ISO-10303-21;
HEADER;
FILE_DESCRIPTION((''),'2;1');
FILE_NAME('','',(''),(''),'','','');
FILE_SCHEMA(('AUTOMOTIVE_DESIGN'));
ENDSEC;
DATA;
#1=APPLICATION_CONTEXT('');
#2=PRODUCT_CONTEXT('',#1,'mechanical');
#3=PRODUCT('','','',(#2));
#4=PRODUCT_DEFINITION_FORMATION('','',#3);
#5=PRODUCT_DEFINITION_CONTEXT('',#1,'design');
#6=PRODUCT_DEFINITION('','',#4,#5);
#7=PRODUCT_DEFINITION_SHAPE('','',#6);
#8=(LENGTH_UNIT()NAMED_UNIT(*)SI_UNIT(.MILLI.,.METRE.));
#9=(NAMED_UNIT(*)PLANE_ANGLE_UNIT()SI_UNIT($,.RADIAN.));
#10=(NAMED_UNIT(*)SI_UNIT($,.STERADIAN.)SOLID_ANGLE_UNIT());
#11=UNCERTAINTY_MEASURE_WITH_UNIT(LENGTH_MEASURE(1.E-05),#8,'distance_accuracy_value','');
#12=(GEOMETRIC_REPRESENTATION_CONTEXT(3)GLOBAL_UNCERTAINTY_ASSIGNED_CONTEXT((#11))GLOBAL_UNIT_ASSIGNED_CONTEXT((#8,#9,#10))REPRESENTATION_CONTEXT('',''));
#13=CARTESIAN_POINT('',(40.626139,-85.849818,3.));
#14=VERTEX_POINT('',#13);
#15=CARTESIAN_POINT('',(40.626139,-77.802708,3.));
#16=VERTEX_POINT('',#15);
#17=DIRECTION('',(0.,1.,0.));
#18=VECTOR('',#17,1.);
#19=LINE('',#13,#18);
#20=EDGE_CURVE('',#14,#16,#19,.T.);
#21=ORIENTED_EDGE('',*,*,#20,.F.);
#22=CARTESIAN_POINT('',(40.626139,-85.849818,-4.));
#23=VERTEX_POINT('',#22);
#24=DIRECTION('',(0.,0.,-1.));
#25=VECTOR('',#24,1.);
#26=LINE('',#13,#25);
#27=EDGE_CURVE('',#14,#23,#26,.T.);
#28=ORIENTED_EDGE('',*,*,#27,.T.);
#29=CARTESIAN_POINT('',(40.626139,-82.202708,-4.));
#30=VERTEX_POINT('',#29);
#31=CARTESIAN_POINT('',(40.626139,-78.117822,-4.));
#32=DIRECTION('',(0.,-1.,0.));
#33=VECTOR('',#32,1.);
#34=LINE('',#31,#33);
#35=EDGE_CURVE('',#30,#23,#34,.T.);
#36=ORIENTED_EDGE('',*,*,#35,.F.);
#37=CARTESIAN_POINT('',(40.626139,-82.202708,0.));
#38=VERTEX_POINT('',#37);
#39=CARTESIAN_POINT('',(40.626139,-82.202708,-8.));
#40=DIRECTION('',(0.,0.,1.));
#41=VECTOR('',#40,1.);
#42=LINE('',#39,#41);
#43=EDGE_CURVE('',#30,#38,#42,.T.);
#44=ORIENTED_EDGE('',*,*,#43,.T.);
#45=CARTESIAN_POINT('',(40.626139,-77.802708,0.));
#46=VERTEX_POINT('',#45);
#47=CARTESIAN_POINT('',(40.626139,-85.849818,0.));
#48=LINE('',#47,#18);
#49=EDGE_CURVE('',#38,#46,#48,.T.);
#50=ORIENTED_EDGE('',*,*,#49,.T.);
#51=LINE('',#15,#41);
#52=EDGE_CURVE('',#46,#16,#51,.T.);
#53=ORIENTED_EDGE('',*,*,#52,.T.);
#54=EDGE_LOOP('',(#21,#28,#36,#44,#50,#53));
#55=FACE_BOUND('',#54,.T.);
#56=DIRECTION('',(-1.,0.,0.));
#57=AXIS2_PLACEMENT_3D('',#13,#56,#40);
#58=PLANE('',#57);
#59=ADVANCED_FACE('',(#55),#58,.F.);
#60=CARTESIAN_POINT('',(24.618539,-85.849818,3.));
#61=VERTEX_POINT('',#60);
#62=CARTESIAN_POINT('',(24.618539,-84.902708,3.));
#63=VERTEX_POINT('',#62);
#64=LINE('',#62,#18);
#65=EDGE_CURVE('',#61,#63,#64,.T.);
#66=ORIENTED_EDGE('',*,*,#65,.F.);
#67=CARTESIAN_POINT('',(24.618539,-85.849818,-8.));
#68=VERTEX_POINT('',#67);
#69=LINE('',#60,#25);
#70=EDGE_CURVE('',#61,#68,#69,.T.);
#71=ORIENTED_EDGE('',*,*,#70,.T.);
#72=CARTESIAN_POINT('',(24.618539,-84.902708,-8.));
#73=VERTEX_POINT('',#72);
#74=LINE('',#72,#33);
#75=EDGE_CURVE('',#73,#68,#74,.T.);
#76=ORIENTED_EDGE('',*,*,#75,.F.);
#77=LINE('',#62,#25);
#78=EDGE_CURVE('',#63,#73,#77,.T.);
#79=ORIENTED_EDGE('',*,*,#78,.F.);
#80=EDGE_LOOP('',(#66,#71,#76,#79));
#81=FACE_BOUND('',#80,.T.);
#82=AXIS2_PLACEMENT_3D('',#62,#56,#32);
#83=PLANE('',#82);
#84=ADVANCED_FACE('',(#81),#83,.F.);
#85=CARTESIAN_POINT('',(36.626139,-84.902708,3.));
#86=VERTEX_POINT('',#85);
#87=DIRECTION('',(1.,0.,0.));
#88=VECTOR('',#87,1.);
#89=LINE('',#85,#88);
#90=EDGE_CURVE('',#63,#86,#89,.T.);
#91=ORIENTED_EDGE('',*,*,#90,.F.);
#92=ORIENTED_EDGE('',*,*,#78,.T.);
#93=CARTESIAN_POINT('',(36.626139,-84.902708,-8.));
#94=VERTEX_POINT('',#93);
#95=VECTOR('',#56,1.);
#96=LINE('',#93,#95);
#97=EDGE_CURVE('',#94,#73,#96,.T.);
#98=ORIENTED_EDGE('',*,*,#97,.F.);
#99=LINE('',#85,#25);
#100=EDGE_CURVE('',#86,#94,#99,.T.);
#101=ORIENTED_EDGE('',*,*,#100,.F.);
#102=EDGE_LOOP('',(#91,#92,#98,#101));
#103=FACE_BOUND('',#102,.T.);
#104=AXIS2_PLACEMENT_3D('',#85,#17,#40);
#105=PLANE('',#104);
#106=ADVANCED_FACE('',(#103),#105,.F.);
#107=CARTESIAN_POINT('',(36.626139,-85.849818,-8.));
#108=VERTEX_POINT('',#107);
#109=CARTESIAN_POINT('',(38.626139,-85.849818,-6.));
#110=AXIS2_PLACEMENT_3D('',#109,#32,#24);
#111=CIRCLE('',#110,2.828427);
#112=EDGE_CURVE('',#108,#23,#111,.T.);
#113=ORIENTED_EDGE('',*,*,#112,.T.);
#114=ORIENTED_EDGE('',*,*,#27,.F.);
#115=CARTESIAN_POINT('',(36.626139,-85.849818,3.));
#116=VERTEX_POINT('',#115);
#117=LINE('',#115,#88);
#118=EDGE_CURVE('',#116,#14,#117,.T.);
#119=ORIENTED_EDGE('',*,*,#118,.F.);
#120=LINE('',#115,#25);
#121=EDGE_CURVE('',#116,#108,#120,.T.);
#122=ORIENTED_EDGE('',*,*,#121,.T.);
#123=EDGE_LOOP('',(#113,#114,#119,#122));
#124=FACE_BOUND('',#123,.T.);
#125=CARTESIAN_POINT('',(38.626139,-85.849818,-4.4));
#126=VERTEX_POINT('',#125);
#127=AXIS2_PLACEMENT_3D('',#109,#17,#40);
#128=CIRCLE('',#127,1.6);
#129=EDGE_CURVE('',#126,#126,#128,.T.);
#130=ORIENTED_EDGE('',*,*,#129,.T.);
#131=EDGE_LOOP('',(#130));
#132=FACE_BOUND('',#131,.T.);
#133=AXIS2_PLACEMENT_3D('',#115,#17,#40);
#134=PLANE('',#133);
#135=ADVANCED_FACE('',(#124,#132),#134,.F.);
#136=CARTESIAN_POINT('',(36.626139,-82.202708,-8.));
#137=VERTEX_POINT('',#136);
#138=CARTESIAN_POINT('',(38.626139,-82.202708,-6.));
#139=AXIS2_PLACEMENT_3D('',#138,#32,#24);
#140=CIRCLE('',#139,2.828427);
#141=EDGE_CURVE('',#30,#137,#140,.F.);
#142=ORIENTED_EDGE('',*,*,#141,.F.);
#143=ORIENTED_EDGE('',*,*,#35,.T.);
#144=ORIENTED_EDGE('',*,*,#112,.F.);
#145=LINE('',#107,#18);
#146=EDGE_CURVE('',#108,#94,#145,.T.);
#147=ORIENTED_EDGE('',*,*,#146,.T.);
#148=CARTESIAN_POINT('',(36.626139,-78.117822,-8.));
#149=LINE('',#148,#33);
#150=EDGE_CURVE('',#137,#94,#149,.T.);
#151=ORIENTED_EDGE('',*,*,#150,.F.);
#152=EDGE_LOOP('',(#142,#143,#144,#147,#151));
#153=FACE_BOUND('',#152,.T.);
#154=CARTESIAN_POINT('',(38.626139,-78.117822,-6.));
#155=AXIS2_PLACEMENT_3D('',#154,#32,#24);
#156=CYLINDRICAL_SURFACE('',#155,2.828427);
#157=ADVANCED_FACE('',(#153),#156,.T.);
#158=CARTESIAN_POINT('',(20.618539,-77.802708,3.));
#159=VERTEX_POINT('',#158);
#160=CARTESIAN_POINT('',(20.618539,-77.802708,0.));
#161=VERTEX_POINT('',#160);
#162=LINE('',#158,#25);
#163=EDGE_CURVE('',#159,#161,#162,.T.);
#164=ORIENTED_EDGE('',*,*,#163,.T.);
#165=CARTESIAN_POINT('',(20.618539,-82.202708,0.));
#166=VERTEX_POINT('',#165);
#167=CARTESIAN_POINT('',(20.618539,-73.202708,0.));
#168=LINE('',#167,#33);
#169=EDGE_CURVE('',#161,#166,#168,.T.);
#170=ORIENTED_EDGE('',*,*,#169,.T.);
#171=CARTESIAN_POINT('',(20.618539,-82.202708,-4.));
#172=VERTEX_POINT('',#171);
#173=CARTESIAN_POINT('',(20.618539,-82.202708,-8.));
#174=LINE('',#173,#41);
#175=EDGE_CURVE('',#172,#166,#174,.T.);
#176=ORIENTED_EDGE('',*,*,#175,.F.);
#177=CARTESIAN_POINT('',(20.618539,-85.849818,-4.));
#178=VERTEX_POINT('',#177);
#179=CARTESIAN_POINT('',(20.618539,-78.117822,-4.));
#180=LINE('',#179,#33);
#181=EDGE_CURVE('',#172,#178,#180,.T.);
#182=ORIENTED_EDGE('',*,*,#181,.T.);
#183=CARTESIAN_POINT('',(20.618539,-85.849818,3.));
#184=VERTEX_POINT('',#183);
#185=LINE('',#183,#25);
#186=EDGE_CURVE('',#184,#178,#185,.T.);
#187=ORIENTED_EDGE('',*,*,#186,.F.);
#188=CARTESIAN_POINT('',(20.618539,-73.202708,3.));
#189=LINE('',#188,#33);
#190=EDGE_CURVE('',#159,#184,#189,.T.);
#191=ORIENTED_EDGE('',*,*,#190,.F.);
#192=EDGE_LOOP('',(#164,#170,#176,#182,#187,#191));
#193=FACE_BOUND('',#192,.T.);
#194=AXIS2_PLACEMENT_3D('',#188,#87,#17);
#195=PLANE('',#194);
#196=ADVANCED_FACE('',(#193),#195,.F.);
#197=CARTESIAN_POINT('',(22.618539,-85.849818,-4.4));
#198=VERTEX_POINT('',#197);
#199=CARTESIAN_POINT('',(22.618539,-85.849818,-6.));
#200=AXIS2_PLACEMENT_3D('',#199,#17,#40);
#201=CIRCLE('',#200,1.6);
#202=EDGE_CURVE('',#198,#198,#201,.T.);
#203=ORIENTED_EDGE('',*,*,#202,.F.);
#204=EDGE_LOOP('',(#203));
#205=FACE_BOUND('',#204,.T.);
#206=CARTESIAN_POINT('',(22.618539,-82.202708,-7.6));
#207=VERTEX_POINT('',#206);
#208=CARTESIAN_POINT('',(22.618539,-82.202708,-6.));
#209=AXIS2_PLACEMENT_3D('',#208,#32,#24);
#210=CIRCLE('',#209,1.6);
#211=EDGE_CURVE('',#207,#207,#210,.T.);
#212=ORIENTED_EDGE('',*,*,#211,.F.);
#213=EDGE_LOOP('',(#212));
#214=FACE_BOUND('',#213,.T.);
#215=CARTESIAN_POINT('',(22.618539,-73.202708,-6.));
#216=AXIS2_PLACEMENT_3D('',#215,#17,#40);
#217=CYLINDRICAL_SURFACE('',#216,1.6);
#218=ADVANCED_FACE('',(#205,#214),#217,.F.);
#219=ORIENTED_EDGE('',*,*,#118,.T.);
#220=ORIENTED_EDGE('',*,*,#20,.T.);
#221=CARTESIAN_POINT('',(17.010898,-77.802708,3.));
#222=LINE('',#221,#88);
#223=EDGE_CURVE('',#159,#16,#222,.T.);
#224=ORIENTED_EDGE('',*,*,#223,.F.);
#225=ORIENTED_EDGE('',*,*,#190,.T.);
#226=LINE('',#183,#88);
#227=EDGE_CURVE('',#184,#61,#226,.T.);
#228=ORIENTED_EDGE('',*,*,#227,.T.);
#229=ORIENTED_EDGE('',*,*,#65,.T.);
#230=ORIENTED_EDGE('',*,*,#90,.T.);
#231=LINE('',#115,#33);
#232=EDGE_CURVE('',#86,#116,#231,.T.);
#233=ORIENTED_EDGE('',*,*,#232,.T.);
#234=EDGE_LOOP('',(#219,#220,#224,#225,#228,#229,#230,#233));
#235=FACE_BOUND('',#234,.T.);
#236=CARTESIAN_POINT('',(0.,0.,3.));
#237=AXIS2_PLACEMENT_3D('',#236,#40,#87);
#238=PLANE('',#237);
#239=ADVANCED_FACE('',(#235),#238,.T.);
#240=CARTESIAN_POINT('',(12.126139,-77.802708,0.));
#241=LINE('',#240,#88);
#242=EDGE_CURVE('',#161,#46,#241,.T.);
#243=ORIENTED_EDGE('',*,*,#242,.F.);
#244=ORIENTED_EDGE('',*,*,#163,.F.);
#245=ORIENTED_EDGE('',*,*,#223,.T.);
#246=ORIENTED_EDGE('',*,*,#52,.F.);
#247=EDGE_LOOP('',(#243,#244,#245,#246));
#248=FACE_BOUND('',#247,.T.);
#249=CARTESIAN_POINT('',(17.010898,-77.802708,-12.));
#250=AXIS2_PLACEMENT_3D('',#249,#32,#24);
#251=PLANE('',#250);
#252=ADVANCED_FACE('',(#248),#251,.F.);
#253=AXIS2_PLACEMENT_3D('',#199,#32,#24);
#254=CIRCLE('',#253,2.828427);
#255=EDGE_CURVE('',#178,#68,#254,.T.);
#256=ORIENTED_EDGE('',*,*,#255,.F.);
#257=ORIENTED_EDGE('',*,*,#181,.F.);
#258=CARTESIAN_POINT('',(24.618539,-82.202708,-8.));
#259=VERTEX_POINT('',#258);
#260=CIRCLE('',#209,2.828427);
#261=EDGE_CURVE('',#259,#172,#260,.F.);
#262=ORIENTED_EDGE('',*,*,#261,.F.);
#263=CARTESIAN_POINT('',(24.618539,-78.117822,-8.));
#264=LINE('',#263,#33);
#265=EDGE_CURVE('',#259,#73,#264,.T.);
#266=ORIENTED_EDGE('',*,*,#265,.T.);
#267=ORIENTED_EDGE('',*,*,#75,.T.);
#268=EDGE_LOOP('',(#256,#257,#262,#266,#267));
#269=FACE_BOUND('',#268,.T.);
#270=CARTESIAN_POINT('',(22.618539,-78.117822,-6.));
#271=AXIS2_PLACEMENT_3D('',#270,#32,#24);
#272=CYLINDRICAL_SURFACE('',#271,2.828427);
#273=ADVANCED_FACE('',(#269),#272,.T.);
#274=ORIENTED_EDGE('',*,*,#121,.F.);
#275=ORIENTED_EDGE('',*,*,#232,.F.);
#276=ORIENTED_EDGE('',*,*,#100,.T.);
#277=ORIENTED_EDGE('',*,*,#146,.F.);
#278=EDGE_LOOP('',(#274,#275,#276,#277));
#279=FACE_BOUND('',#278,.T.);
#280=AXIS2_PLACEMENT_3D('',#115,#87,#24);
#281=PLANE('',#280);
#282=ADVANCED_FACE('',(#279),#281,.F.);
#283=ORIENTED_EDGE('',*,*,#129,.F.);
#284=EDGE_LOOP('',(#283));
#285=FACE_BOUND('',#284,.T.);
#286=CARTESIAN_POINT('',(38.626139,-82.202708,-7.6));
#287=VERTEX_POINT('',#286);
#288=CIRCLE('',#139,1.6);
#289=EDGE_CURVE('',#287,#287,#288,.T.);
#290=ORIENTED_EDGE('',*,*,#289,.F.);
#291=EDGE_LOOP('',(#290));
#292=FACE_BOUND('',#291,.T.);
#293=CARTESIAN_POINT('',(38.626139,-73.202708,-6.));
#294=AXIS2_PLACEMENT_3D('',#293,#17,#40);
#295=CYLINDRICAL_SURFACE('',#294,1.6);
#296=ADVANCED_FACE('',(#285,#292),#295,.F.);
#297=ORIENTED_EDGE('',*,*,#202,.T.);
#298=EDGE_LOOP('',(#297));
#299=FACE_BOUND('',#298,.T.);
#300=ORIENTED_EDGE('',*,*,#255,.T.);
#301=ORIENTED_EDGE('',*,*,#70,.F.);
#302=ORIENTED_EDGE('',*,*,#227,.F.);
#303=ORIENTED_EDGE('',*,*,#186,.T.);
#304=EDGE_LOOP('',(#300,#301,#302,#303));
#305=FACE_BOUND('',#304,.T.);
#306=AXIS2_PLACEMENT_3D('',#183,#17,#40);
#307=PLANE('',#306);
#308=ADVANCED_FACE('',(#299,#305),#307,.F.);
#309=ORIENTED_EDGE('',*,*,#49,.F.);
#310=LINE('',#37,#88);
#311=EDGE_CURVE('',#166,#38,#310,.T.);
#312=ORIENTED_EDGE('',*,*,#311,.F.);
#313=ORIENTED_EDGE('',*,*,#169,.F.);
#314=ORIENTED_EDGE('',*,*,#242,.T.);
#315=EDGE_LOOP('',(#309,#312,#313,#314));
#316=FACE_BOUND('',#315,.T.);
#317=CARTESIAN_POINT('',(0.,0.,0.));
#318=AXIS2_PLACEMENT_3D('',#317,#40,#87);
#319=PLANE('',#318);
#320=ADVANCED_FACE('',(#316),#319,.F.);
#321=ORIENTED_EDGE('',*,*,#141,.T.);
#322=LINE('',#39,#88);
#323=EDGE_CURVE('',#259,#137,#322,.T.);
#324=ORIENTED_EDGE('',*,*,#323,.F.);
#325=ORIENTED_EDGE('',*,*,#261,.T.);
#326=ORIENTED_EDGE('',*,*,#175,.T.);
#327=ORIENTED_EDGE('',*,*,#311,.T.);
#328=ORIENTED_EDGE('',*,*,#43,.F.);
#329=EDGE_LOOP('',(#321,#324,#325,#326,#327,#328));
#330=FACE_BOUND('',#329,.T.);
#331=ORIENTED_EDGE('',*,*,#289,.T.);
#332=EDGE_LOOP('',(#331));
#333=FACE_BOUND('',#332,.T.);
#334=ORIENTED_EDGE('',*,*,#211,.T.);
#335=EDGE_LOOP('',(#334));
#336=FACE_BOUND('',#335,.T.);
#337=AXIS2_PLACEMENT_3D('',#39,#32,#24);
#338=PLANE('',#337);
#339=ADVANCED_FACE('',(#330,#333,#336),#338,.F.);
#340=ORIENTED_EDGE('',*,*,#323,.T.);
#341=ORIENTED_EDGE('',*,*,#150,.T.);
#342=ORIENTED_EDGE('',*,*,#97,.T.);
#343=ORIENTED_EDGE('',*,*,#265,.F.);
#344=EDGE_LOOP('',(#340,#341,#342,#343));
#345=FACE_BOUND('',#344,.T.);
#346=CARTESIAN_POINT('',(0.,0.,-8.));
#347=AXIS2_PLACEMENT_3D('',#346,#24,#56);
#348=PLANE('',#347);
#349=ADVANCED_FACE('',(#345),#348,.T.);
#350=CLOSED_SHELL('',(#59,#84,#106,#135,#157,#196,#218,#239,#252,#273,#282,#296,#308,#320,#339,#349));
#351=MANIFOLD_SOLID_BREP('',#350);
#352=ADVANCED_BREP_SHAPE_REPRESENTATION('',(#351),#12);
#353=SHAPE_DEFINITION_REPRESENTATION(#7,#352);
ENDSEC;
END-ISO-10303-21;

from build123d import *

# Parameters (mm, degrees)
BOSS_EXTRUDE1_DEPTH      = 3
SKETCH2_W                = 20.0076
SKETCH2_H                = 4.999999987
BOSS_EXTRUDE2_DEPTH      = 8
BOSS_EXTRUDE3_DEPTH      = 8
SKETCH4_W                = 12.0076
SKETCH4_H                = 1.4
CUT_EXTRUDE1_DEPTH       = 27.7
M3_CLEARANCE_HOLE1_D     = 3.2
M3_CLEARANCE_HOLE1_DEPTH = 15.5
M3_CLEARANCE_HOLE1_TIP   = 0.96137699
SKETCH7_W                = 8
SKETCH7_H                = 0.4
CUT_EXTRUDE2_DEPTH       = 28.5
BOSS_EXTRUDE4_DEPTH      = 4.6
BOSS_EXTRUDE5_DEPTH      = 3.647111
SKETCH10_W               = 25.759770256
SKETCH10_H               = 7.605956873
CUT_EXTRUDE3_DEPTH       = 15


with BuildPart() as part:
    # Sketch1 → Boss-Extrude1 (new body)
    with BuildSketch(Plane.XY):
        Polygon((24.618539046, -84.902707764), (24.618539046, -85.849818272), (20.618539046, -85.849818272), (20.618539046, -73.202707764), (40.626139046, -73.202707764), (40.626139046, -85.849818272), (36.626139046, -85.849818272), (36.626139046, -84.902707764), align=None)
    extrude(amount=BOSS_EXTRUDE1_DEPTH)

    # Sketch2 → Boss-Extrude2 (add)
    with BuildSketch(Plane(origin=(0, 0, 0), x_dir=(-1, 0, 0), z_dir=(0, 0, -1))):
        with Locations((-30.622339046, -75.702707758)):
            Rectangle(SKETCH2_W, SKETCH2_H)
    extrude(amount=BOSS_EXTRUDE2_DEPTH)

    # Sketch3 → Boss-Extrude3 (add)
    with BuildSketch(Plane(origin=(0, 0, 0), x_dir=(-1, 0, 0), z_dir=(0, 0, -1))):
        Polygon((-40.626139046, -82.202707751), (-40.626139046, -85.849818272), (-36.626139046, -85.849818272), (-36.626139046, -84.902707764), (-24.618539046, -84.902707764), (-24.618539046, -85.849818272), (-20.618539046, -85.849818272), (-20.618539046, -82.202707751), align=None)
    extrude(amount=BOSS_EXTRUDE3_DEPTH)

    # Sketch4 → Cut-Extrude1 (cut)
    with BuildSketch(Plane.XY.offset(3)):
        with Locations((30.622339046, -73.902707764)):
            Rectangle(SKETCH4_W, SKETCH4_H)
    extrude(amount=-CUT_EXTRUDE1_DEPTH, mode=Mode.SUBTRACT)

    # M3 Clearance Hole1
    with Locations(Plane(origin=(0, -73.202707764, 0), x_dir=(1, 0, 0), z_dir=(0, 1, 0))):
        with Locations((22.618539046, 6), (38.626139046, 6)):
            Hole(M3_CLEARANCE_HOLE1_D / 2, depth=M3_CLEARANCE_HOLE1_DEPTH)
            with Locations((0, 0, -(M3_CLEARANCE_HOLE1_DEPTH + M3_CLEARANCE_HOLE1_TIP / 2))):  # 118° drill point
                Cone(0, M3_CLEARANCE_HOLE1_D / 2, M3_CLEARANCE_HOLE1_TIP, mode=Mode.SUBTRACT)

    # Sketch7 → Cut-Extrude2 (cut)
    with BuildSketch(Plane(origin=(40.626139046, 0, 0), x_dir=(0, 0, -1), z_dir=(1, 0, 0))):
        with Locations((4, -78.002707751)):
            Rectangle(SKETCH7_W, SKETCH7_H)
    extrude(amount=-CUT_EXTRUDE2_DEPTH, mode=Mode.SUBTRACT)

    # Sketch8 → Boss-Extrude4 (add)
    with BuildSketch(Plane(origin=(0, -73.202707764, 0), x_dir=(1, 0, 0), z_dir=(0, 1, 0))):
        with BuildLine():
            ThreePointArc((24.618539046, 8), (22.618539046, 8.828427125), (20.618539046, 8))
            Line((20.618539046, 8), (24.618539046, 8))
        make_face()
        with BuildLine():
            ThreePointArc((20.618539046, 8), (19.790111921, 6), (20.618539046, 4))
            Line((20.618539046, 4), (20.618539046, 8))
        make_face()
        with BuildLine():
            Line((36.626139046, 8), (40.626139046, 8))
            ThreePointArc((40.626139046, 8), (38.626139046, 8.828427125), (36.626139046, 8))
        make_face()
        with BuildLine():
            ThreePointArc((40.626139046, 4), (41.45456617, 6), (40.626139046, 8))
            Line((40.626139046, 8), (40.626139046, 4))
        make_face()
    extrude(amount=-BOSS_EXTRUDE4_DEPTH)

    # Sketch9 → Boss-Extrude5 (add)
    with BuildSketch(Plane.XZ.offset(85.849818272)):
        with BuildLine():
            Line((20.618539046, -8), (20.618539046, -4))
            ThreePointArc((20.618539046, -4), (19.790111921, -6), (20.618539046, -8))
        make_face()
        with BuildLine():
            Line((24.618539046, -8), (20.618539046, -8))
            ThreePointArc((20.618539046, -8), (22.618539046, -8.828427125), (24.618539046, -8))
        make_face()
        with BuildLine():
            Line((40.626139046, -8), (36.626139046, -8))
            ThreePointArc((36.626139046, -8), (38.626139046, -8.828427125), (40.626139046, -8))
        make_face()
        with BuildLine():
            Line((40.626139046, -4), (40.626139046, -8))
            ThreePointArc((40.626139046, -8), (41.45456617, -6), (40.626139046, -4))
        make_face()
    extrude(amount=-BOSS_EXTRUDE5_DEPTH)

    # Sketch10 → Cut-Extrude3 (cut)
    with BuildSketch(Plane.XY.offset(3)):
        with Locations((29.890783296, -73.999729313)):
            Rectangle(SKETCH10_W, SKETCH10_H)
    extrude(amount=-CUT_EXTRUDE3_DEPTH, mode=Mode.SUBTRACT)


solid = part.part
